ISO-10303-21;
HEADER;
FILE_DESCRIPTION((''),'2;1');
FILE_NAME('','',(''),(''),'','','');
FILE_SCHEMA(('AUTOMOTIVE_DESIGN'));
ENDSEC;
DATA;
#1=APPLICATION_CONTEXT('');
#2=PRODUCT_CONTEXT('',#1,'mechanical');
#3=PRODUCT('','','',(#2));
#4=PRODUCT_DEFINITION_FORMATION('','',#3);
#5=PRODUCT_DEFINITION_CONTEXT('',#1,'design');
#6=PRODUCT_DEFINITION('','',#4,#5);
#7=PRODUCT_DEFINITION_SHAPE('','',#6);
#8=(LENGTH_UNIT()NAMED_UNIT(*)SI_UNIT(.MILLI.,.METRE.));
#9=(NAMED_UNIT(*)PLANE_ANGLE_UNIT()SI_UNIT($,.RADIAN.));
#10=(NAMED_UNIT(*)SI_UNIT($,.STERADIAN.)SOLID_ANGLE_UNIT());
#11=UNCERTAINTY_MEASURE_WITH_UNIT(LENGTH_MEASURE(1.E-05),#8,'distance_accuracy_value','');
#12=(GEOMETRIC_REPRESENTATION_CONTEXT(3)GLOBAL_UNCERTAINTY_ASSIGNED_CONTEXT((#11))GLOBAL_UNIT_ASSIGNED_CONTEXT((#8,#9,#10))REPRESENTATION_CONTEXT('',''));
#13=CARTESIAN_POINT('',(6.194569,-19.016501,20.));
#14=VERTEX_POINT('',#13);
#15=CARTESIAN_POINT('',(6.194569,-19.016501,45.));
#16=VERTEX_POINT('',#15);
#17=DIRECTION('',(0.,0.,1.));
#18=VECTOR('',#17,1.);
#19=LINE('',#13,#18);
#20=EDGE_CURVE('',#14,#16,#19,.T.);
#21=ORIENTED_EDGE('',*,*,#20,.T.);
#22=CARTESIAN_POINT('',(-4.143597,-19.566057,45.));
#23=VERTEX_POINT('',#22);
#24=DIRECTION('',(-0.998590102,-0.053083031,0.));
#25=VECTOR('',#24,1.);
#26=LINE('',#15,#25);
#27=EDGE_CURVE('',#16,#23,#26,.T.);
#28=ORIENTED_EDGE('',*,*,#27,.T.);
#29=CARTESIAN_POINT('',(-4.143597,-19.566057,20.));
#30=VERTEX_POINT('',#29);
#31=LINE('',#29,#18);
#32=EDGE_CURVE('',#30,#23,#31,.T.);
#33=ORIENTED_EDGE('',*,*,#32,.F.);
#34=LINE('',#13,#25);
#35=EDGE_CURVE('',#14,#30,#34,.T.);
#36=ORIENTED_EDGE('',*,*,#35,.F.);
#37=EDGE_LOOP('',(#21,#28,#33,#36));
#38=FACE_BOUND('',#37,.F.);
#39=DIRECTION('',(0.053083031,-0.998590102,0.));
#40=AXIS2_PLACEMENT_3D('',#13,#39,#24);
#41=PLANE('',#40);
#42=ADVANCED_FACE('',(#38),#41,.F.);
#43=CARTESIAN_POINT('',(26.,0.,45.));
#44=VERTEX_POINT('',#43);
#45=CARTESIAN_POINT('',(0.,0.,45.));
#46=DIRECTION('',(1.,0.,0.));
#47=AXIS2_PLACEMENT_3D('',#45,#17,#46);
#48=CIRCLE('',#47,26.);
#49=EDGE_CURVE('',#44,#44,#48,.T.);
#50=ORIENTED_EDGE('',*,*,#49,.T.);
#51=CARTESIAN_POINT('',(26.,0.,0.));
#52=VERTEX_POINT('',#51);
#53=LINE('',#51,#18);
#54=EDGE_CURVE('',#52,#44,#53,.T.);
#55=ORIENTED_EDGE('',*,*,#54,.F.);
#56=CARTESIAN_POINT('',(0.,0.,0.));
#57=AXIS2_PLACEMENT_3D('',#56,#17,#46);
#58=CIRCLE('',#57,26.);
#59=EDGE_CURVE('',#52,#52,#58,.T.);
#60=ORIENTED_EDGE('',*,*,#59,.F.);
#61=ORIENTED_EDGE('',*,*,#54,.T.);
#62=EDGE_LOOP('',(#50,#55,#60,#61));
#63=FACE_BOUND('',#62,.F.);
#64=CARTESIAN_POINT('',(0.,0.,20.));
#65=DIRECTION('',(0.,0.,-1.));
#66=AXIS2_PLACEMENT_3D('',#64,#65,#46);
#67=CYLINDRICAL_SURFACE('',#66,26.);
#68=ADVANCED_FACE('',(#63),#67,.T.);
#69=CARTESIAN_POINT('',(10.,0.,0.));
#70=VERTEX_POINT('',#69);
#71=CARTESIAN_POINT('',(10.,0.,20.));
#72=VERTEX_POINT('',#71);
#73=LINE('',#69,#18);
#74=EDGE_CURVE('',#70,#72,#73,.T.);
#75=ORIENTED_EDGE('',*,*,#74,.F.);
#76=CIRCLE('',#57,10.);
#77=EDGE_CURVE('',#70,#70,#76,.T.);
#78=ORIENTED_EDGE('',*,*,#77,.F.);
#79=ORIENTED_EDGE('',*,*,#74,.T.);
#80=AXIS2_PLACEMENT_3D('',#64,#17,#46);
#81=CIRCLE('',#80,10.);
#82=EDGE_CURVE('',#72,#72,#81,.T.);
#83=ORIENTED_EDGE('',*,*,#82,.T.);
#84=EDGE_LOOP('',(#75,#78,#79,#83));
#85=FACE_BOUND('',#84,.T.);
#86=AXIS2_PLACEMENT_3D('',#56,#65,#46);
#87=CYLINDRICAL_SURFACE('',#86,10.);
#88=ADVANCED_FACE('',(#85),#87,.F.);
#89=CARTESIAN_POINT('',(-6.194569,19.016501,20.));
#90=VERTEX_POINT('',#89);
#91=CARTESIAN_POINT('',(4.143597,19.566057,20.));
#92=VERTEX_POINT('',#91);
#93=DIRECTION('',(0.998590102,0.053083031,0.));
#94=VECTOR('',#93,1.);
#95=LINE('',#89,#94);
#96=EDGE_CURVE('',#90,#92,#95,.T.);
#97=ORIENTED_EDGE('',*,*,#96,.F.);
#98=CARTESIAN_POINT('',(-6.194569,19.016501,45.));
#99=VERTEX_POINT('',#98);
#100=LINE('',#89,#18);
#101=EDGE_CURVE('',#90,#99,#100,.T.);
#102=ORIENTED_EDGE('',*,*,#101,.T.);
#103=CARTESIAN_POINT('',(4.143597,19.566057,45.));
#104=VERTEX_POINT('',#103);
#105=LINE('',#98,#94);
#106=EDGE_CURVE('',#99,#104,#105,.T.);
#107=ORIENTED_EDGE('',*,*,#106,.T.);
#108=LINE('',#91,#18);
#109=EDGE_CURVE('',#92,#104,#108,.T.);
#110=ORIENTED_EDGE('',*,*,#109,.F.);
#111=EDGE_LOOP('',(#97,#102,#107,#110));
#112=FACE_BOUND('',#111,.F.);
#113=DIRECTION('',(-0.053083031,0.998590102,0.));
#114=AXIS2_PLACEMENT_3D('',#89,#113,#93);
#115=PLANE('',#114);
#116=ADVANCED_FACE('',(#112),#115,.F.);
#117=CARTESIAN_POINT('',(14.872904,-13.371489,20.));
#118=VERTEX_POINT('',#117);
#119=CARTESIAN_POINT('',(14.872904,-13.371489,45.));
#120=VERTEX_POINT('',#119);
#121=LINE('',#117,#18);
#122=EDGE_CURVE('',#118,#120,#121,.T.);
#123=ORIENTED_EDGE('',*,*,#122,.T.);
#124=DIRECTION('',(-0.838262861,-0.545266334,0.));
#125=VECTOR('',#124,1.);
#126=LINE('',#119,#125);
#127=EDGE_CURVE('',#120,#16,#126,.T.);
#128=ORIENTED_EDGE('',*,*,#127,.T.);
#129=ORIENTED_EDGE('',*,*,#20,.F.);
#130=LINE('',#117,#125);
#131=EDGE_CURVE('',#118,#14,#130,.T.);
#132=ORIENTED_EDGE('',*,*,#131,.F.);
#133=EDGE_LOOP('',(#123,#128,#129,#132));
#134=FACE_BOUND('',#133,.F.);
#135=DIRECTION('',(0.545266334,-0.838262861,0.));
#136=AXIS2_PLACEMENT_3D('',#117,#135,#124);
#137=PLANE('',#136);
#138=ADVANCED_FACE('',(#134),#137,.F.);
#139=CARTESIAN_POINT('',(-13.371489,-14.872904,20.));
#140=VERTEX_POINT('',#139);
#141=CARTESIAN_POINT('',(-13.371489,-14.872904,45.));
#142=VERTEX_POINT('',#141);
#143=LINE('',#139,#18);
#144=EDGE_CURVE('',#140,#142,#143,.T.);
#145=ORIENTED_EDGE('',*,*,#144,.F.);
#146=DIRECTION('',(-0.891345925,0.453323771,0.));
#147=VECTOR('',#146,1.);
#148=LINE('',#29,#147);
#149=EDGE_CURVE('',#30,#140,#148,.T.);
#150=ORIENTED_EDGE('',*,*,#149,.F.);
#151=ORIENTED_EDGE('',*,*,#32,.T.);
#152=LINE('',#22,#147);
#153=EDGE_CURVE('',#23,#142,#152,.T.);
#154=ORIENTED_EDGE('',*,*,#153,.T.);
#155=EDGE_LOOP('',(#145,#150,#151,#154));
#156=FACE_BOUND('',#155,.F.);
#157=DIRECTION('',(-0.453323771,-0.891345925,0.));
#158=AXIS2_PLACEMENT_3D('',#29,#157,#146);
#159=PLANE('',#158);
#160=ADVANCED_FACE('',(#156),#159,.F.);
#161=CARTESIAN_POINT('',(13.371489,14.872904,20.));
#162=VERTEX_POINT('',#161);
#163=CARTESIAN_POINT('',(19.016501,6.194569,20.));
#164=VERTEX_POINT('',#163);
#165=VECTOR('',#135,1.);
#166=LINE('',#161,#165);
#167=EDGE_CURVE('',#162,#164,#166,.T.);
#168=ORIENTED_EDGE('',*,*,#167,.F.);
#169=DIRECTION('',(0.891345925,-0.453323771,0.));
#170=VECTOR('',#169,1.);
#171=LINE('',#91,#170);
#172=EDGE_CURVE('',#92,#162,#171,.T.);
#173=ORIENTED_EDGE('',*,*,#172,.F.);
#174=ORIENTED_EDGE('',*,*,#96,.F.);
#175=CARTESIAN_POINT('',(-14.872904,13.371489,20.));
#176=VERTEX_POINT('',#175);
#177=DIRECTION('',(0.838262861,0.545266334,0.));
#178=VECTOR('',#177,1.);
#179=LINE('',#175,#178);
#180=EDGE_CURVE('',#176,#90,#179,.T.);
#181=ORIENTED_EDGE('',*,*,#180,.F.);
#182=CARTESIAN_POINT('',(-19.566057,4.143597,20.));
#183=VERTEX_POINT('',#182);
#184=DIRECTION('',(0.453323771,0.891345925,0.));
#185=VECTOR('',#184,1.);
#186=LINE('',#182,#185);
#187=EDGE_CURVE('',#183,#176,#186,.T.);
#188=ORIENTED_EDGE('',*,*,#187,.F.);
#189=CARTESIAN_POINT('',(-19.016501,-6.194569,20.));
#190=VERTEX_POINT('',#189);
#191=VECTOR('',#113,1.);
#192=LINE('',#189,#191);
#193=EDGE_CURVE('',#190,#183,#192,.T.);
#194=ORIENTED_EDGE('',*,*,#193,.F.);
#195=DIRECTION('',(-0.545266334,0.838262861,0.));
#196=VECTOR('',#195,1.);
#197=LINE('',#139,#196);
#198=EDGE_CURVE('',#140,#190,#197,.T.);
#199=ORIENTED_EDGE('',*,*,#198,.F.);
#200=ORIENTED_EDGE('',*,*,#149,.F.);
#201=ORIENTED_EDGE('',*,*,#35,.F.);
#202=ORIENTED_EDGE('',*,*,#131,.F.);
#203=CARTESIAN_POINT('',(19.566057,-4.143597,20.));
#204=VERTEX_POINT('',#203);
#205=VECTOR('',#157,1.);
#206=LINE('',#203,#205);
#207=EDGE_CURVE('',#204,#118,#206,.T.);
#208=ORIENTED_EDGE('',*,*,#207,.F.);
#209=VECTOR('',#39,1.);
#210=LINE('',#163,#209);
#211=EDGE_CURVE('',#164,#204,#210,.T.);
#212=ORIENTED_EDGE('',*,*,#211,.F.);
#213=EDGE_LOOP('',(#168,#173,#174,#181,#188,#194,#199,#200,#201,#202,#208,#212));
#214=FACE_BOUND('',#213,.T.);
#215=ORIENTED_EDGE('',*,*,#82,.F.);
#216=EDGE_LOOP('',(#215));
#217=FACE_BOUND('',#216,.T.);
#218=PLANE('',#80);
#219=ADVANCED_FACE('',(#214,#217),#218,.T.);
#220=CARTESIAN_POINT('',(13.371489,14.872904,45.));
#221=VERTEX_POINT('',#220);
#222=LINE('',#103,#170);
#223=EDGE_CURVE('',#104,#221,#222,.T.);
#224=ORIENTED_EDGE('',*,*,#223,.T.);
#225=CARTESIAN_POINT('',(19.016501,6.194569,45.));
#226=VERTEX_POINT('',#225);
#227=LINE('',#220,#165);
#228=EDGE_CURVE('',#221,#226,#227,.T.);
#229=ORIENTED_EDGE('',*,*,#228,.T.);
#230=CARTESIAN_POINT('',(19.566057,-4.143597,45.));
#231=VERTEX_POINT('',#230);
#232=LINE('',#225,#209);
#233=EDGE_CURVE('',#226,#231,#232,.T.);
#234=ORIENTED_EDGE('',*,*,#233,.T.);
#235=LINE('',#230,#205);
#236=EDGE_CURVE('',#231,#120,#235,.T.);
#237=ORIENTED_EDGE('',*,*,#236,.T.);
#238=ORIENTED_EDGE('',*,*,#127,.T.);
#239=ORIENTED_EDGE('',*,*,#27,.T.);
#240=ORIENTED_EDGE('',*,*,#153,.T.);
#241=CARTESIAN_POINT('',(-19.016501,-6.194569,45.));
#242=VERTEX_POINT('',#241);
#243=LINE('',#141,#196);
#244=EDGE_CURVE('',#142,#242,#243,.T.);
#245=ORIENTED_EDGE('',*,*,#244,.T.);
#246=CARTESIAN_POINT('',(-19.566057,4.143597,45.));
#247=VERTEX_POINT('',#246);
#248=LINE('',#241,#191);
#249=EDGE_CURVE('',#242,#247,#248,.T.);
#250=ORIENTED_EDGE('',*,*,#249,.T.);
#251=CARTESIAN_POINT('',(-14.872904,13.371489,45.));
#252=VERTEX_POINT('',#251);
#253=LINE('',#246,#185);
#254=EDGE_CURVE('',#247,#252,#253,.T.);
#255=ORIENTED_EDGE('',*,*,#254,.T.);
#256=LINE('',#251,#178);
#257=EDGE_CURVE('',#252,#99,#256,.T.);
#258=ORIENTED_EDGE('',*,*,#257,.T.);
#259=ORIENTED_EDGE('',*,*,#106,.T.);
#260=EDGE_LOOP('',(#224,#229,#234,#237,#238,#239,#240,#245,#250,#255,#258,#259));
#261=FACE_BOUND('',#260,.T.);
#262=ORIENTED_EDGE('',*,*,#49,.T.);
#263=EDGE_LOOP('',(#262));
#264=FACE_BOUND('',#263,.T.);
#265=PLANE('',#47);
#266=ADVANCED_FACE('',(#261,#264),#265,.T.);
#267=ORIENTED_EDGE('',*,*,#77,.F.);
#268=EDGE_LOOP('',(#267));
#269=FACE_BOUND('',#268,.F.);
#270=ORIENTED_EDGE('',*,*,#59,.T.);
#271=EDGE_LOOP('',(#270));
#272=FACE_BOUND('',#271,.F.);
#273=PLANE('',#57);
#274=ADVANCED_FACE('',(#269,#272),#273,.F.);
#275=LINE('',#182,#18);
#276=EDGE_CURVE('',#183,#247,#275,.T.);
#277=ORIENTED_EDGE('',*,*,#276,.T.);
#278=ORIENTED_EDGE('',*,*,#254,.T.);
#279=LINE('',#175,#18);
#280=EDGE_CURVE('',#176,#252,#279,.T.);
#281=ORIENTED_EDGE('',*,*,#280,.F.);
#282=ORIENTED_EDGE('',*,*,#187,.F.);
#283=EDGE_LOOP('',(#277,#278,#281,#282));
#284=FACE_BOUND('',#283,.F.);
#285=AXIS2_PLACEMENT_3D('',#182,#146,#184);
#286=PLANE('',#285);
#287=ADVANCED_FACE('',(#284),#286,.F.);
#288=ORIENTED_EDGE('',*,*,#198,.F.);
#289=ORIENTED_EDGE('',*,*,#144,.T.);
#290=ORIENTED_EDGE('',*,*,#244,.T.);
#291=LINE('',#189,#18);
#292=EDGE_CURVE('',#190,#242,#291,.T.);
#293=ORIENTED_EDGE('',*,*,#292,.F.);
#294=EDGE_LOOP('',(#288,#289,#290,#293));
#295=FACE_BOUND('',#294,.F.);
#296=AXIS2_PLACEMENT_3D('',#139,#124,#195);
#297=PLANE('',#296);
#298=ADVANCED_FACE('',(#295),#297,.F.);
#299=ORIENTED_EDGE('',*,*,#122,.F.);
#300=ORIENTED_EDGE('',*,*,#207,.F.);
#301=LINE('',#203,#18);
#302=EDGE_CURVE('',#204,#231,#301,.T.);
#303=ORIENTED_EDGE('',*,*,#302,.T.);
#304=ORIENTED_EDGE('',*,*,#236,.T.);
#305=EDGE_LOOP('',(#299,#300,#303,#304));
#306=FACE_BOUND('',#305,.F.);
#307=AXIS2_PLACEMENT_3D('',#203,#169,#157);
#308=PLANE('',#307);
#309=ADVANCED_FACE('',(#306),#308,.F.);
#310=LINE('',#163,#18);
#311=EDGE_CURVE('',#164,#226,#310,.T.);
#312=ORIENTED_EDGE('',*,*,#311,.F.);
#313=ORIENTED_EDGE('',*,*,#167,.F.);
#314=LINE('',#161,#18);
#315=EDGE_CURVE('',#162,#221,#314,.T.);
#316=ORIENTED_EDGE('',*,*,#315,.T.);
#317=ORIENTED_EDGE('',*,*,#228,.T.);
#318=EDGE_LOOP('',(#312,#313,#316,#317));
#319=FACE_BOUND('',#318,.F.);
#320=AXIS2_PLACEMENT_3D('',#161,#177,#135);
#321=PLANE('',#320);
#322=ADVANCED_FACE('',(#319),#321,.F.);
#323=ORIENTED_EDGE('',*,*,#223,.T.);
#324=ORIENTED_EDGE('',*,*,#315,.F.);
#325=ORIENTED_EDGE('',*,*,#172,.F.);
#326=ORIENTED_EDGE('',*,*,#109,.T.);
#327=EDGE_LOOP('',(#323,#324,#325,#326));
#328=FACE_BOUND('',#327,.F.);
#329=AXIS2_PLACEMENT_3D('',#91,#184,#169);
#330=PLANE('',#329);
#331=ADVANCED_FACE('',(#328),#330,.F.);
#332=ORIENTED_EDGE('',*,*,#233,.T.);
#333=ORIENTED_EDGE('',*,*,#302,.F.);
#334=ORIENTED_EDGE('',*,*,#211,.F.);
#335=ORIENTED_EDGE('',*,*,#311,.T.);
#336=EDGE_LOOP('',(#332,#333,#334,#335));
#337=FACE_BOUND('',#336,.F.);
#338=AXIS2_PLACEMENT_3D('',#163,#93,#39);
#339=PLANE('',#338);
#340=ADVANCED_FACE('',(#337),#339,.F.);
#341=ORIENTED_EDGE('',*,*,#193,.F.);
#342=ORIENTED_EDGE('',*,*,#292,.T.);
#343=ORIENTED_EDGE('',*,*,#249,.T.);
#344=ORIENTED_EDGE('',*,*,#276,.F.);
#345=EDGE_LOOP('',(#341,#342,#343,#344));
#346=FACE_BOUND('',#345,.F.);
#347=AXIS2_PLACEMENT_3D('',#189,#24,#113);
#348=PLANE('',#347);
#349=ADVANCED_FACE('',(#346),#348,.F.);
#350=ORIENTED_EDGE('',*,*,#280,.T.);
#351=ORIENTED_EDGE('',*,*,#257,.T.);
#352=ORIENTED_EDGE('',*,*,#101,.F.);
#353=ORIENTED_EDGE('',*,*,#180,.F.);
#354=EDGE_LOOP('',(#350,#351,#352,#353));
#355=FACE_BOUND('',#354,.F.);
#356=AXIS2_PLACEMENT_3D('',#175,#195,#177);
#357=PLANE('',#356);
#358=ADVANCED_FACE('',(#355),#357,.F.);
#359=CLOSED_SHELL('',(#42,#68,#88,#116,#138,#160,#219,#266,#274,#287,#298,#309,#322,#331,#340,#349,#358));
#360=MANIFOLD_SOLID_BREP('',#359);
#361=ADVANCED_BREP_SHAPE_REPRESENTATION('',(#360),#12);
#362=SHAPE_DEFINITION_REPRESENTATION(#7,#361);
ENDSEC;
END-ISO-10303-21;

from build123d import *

# Parameters (mm, degrees)
F0_R     = 26
F0_R_2   = 10
F1_DEPTH = 20
F2_R     = 26
F3_DEPTH = 25


with BuildPart() as f1:
    # F0 (on Top) → F1 (new body)
    with BuildSketch(Plane.XY):
        Circle(F0_R)
        Circle(F0_R_2, mode=Mode.SUBTRACT)
    extrude(amount=F1_DEPTH)

    # F2 (on face) → F3 (join)
    with BuildSketch(Plane.XY.offset(20)):
        Circle(F2_R)
        with BuildLine():
            ThreePointArc((19.016501, 6.194569), (19.752595, 3.136078), (20, 0))
            ThreePointArc((20, 0), (19.891219, -2.083129), (19.566057, -4.143597))
            ThreePointArc((19.566057, -4.143597), (17.826918, -9.066476), (14.872904, -13.371489))
            ThreePointArc((14.872904, -13.371489), (10.905326, -16.765257), (6.194569, -19.016501))
            ThreePointArc((6.194569, -19.016501), (1.061661, -19.971802), (-4.143597, -19.566057))
            ThreePointArc((-4.143597, -19.566057), (-9.066476, -17.826918), (-13.371489, -14.872904))
            ThreePointArc((-13.371489, -14.872904), (-16.765257, -10.905326), (-19.016501, -6.194569))
            ThreePointArc((-19.016501, -6.194569), (-19.971802, -1.061661), (-19.566057, 4.143597))
            ThreePointArc((-19.566057, 4.143597), (-17.826918, 9.066476), (-14.872904, 13.371489))
            ThreePointArc((-14.872904, 13.371489), (-10.905326, 16.765257), (-6.194569, 19.016501))
            ThreePointArc((-6.194569, 19.016501), (-1.061661, 19.971802), (4.143597, 19.566057))
            ThreePointArc((4.143597, 19.566057), (9.066476, 17.826918), (13.371489, 14.872904))
            ThreePointArc((13.371489, 14.872904), (16.765257, 10.905326), (19.016501, 6.194569))
        make_face(mode=Mode.SUBTRACT)
        with BuildLine():
            Line((-14.872904, 13.371489), (-6.194569, 19.016501))
            ThreePointArc((-6.194569, 19.016501), (-10.905326, 16.765257), (-14.872904, 13.371489))
        make_face()
        with BuildLine():
            Line((-6.194569, 19.016501), (4.143597, 19.566057))
            ThreePointArc((4.143597, 19.566057), (-1.061661, 19.971802), (-6.194569, 19.016501))
        make_face()
        with BuildLine():
            Line((4.143597, 19.566057), (13.371489, 14.872904))
            ThreePointArc((13.371489, 14.872904), (9.066476, 17.826918), (4.143597, 19.566057))
        make_face()
        with BuildLine():
            Line((13.371489, 14.872904), (19.016501, 6.194569))
            ThreePointArc((19.016501, 6.194569), (16.765257, 10.905326), (13.371489, 14.872904))
        make_face()
        with BuildLine():
            Line((-19.566057, 4.143597), (-14.872904, 13.371489))
            ThreePointArc((-14.872904, 13.371489), (-17.826918, 9.066476), (-19.566057, 4.143597))
        make_face()
        with BuildLine():
            ThreePointArc((-13.371489, -14.872904), (-9.066476, -17.826918), (-4.143597, -19.566057))
            Line((-4.143597, -19.566057), (-13.371489, -14.872904))
        make_face()
        with BuildLine():
            ThreePointArc((-19.016501, -6.194569), (-16.765257, -10.905326), (-13.371489, -14.872904))
            Line((-13.371489, -14.872904), (-19.016501, -6.194569))
        make_face()
        with BuildLine():
            ThreePointArc((-4.143597, -19.566057), (1.061661, -19.971802), (6.194569, -19.016501))
            Line((6.194569, -19.016501), (-4.143597, -19.566057))
        make_face()
        with BuildLine():
            ThreePointArc((6.194569, -19.016501), (10.905326, -16.765257), (14.872904, -13.371489))
            Line((14.872904, -13.371489), (6.194569, -19.016501))
        make_face()
        with BuildLine():
            ThreePointArc((14.872904, -13.371489), (17.826918, -9.066476), (19.566057, -4.143597))
            Line((19.566057, -4.143597), (14.872904, -13.371489))
        make_face()
        with BuildLine():
            ThreePointArc((19.566057, -4.143597), (19.891219, -2.083129), (20, 0))
            ThreePointArc((20, 0), (19.752595, 3.136078), (19.016501, 6.194569))
            Line((19.016501, 6.194569), (19.566057, -4.143597))
        make_face()
        with BuildLine():
            Line((-19.016501, -6.194569), (-19.566057, 4.143597))
            ThreePointArc((-19.566057, 4.143597), (-19.971802, -1.061661), (-19.016501, -6.194569))
        make_face()
    extrude(amount=F3_DEPTH)


solid = f1.part
